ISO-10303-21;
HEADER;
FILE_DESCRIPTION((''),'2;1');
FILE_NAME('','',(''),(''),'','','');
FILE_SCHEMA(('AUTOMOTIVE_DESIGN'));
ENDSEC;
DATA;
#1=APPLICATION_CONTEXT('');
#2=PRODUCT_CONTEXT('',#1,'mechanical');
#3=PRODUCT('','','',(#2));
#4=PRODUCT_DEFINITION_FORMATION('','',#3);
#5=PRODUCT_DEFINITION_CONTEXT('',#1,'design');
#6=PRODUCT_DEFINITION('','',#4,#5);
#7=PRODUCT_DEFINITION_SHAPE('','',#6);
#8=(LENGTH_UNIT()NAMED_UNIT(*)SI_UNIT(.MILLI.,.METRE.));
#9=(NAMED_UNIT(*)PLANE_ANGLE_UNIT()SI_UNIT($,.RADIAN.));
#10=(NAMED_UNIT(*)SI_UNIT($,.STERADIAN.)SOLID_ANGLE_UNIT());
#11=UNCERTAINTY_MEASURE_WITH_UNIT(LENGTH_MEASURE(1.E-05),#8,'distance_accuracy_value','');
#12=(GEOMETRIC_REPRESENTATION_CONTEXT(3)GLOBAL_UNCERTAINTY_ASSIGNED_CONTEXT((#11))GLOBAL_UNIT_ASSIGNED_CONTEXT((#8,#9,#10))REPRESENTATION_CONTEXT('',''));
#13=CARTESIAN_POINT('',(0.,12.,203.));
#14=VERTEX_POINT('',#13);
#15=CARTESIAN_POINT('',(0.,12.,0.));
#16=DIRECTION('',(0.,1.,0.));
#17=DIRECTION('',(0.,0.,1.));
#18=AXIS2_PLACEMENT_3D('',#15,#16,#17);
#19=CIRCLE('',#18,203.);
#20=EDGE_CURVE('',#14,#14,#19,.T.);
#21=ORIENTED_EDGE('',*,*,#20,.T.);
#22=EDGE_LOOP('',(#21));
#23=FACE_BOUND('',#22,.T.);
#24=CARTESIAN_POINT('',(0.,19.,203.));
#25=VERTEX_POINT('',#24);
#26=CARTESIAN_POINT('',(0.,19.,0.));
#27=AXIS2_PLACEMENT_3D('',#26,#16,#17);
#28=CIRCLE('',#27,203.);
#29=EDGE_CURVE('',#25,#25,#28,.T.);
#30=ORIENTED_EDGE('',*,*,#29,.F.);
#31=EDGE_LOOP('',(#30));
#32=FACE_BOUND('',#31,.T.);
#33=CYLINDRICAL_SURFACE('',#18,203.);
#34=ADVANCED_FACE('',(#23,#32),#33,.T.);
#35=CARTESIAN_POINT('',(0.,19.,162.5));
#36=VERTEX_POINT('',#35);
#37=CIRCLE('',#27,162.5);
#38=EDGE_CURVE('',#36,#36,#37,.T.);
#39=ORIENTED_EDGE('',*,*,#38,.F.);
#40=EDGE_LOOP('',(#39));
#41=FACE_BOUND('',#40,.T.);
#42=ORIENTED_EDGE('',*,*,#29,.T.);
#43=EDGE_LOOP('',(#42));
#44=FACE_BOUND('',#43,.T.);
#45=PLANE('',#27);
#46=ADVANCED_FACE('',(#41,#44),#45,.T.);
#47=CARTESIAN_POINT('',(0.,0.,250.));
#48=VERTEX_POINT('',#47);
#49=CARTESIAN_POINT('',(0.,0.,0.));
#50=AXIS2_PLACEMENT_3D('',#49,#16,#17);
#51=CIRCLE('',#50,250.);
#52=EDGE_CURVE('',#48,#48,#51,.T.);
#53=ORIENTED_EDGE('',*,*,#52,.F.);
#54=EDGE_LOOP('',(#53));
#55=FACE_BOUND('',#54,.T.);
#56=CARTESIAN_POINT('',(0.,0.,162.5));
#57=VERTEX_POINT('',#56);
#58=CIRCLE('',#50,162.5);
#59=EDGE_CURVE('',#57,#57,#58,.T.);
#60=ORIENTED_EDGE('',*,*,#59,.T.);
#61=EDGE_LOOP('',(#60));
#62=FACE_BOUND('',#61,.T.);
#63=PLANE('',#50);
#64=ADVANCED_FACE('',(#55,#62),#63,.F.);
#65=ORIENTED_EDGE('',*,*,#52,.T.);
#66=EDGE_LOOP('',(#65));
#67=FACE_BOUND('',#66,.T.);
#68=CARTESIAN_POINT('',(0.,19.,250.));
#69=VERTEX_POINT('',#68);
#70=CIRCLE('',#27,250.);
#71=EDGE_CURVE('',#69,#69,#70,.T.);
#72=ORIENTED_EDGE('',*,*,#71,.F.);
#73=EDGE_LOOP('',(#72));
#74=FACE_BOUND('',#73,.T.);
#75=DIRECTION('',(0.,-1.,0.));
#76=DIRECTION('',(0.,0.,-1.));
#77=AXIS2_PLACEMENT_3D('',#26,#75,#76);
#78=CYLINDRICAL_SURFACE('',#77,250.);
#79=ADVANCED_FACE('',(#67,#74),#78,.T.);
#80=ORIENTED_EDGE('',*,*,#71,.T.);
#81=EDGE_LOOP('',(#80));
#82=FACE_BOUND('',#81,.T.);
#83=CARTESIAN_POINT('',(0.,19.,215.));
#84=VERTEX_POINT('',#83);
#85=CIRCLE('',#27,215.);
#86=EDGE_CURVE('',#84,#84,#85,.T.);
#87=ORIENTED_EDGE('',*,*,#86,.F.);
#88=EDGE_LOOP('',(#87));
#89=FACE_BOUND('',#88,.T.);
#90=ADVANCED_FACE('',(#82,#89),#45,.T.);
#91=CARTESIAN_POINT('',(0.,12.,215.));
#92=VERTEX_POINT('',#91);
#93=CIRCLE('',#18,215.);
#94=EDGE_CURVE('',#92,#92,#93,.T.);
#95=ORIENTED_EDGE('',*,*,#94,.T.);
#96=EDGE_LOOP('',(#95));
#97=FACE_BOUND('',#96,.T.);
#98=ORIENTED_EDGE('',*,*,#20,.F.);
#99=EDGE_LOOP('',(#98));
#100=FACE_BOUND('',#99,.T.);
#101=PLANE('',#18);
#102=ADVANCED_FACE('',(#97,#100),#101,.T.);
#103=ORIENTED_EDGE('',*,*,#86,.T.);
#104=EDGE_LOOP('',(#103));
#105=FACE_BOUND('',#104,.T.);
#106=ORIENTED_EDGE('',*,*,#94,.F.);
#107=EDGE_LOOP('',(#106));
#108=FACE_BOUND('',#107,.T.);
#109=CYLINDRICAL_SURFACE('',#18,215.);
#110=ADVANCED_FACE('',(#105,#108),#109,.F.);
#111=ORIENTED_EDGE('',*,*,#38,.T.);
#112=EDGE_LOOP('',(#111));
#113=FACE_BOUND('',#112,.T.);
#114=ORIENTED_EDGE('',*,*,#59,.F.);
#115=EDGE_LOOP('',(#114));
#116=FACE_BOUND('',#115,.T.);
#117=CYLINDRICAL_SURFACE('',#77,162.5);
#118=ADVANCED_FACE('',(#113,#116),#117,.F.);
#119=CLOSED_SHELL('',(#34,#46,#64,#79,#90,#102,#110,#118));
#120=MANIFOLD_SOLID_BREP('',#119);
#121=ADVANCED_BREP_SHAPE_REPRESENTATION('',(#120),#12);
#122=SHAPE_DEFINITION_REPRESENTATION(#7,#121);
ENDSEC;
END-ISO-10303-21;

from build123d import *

# Parameters (mm, degrees)
SKETCH1_R           = 250
SKETCH1_R_2         = 162.5
BOSS_EXTRUDE1_DEPTH = 19
SKETCH2_R           = 215
SKETCH2_R_2         = 203
CUT_EXTRUDE1_DEPTH  = 7


with BuildPart() as part:
    # Sketch1 → Boss-Extrude1 (new body)
    with BuildSketch(Plane(origin=(0, 0, 0), x_dir=(1, 0, 0), z_dir=(0, 1, 0))):
        with Locations(Location((0, 0, 0), (0, 0, 270))):
            Circle(SKETCH1_R)
        with Locations(Location((0, 0, 0), (0, 0, 270))):
            Circle(SKETCH1_R_2, mode=Mode.SUBTRACT)
    extrude(amount=BOSS_EXTRUDE1_DEPTH)

    # Sketch2 → Cut-Extrude1 (cut)
    with BuildSketch(Plane(origin=(0, 19, 0), x_dir=(1, 0, 0), z_dir=(0, 1, 0))):
        with Locations(Location((0, 0, 0), (0, 0, 270))):
            Circle(SKETCH2_R)
        with Locations(Location((0, 0, 0), (0, 0, 270))):
            Circle(SKETCH2_R_2, mode=Mode.SUBTRACT)
    extrude(amount=-CUT_EXTRUDE1_DEPTH, mode=Mode.SUBTRACT)


solid = part.part
